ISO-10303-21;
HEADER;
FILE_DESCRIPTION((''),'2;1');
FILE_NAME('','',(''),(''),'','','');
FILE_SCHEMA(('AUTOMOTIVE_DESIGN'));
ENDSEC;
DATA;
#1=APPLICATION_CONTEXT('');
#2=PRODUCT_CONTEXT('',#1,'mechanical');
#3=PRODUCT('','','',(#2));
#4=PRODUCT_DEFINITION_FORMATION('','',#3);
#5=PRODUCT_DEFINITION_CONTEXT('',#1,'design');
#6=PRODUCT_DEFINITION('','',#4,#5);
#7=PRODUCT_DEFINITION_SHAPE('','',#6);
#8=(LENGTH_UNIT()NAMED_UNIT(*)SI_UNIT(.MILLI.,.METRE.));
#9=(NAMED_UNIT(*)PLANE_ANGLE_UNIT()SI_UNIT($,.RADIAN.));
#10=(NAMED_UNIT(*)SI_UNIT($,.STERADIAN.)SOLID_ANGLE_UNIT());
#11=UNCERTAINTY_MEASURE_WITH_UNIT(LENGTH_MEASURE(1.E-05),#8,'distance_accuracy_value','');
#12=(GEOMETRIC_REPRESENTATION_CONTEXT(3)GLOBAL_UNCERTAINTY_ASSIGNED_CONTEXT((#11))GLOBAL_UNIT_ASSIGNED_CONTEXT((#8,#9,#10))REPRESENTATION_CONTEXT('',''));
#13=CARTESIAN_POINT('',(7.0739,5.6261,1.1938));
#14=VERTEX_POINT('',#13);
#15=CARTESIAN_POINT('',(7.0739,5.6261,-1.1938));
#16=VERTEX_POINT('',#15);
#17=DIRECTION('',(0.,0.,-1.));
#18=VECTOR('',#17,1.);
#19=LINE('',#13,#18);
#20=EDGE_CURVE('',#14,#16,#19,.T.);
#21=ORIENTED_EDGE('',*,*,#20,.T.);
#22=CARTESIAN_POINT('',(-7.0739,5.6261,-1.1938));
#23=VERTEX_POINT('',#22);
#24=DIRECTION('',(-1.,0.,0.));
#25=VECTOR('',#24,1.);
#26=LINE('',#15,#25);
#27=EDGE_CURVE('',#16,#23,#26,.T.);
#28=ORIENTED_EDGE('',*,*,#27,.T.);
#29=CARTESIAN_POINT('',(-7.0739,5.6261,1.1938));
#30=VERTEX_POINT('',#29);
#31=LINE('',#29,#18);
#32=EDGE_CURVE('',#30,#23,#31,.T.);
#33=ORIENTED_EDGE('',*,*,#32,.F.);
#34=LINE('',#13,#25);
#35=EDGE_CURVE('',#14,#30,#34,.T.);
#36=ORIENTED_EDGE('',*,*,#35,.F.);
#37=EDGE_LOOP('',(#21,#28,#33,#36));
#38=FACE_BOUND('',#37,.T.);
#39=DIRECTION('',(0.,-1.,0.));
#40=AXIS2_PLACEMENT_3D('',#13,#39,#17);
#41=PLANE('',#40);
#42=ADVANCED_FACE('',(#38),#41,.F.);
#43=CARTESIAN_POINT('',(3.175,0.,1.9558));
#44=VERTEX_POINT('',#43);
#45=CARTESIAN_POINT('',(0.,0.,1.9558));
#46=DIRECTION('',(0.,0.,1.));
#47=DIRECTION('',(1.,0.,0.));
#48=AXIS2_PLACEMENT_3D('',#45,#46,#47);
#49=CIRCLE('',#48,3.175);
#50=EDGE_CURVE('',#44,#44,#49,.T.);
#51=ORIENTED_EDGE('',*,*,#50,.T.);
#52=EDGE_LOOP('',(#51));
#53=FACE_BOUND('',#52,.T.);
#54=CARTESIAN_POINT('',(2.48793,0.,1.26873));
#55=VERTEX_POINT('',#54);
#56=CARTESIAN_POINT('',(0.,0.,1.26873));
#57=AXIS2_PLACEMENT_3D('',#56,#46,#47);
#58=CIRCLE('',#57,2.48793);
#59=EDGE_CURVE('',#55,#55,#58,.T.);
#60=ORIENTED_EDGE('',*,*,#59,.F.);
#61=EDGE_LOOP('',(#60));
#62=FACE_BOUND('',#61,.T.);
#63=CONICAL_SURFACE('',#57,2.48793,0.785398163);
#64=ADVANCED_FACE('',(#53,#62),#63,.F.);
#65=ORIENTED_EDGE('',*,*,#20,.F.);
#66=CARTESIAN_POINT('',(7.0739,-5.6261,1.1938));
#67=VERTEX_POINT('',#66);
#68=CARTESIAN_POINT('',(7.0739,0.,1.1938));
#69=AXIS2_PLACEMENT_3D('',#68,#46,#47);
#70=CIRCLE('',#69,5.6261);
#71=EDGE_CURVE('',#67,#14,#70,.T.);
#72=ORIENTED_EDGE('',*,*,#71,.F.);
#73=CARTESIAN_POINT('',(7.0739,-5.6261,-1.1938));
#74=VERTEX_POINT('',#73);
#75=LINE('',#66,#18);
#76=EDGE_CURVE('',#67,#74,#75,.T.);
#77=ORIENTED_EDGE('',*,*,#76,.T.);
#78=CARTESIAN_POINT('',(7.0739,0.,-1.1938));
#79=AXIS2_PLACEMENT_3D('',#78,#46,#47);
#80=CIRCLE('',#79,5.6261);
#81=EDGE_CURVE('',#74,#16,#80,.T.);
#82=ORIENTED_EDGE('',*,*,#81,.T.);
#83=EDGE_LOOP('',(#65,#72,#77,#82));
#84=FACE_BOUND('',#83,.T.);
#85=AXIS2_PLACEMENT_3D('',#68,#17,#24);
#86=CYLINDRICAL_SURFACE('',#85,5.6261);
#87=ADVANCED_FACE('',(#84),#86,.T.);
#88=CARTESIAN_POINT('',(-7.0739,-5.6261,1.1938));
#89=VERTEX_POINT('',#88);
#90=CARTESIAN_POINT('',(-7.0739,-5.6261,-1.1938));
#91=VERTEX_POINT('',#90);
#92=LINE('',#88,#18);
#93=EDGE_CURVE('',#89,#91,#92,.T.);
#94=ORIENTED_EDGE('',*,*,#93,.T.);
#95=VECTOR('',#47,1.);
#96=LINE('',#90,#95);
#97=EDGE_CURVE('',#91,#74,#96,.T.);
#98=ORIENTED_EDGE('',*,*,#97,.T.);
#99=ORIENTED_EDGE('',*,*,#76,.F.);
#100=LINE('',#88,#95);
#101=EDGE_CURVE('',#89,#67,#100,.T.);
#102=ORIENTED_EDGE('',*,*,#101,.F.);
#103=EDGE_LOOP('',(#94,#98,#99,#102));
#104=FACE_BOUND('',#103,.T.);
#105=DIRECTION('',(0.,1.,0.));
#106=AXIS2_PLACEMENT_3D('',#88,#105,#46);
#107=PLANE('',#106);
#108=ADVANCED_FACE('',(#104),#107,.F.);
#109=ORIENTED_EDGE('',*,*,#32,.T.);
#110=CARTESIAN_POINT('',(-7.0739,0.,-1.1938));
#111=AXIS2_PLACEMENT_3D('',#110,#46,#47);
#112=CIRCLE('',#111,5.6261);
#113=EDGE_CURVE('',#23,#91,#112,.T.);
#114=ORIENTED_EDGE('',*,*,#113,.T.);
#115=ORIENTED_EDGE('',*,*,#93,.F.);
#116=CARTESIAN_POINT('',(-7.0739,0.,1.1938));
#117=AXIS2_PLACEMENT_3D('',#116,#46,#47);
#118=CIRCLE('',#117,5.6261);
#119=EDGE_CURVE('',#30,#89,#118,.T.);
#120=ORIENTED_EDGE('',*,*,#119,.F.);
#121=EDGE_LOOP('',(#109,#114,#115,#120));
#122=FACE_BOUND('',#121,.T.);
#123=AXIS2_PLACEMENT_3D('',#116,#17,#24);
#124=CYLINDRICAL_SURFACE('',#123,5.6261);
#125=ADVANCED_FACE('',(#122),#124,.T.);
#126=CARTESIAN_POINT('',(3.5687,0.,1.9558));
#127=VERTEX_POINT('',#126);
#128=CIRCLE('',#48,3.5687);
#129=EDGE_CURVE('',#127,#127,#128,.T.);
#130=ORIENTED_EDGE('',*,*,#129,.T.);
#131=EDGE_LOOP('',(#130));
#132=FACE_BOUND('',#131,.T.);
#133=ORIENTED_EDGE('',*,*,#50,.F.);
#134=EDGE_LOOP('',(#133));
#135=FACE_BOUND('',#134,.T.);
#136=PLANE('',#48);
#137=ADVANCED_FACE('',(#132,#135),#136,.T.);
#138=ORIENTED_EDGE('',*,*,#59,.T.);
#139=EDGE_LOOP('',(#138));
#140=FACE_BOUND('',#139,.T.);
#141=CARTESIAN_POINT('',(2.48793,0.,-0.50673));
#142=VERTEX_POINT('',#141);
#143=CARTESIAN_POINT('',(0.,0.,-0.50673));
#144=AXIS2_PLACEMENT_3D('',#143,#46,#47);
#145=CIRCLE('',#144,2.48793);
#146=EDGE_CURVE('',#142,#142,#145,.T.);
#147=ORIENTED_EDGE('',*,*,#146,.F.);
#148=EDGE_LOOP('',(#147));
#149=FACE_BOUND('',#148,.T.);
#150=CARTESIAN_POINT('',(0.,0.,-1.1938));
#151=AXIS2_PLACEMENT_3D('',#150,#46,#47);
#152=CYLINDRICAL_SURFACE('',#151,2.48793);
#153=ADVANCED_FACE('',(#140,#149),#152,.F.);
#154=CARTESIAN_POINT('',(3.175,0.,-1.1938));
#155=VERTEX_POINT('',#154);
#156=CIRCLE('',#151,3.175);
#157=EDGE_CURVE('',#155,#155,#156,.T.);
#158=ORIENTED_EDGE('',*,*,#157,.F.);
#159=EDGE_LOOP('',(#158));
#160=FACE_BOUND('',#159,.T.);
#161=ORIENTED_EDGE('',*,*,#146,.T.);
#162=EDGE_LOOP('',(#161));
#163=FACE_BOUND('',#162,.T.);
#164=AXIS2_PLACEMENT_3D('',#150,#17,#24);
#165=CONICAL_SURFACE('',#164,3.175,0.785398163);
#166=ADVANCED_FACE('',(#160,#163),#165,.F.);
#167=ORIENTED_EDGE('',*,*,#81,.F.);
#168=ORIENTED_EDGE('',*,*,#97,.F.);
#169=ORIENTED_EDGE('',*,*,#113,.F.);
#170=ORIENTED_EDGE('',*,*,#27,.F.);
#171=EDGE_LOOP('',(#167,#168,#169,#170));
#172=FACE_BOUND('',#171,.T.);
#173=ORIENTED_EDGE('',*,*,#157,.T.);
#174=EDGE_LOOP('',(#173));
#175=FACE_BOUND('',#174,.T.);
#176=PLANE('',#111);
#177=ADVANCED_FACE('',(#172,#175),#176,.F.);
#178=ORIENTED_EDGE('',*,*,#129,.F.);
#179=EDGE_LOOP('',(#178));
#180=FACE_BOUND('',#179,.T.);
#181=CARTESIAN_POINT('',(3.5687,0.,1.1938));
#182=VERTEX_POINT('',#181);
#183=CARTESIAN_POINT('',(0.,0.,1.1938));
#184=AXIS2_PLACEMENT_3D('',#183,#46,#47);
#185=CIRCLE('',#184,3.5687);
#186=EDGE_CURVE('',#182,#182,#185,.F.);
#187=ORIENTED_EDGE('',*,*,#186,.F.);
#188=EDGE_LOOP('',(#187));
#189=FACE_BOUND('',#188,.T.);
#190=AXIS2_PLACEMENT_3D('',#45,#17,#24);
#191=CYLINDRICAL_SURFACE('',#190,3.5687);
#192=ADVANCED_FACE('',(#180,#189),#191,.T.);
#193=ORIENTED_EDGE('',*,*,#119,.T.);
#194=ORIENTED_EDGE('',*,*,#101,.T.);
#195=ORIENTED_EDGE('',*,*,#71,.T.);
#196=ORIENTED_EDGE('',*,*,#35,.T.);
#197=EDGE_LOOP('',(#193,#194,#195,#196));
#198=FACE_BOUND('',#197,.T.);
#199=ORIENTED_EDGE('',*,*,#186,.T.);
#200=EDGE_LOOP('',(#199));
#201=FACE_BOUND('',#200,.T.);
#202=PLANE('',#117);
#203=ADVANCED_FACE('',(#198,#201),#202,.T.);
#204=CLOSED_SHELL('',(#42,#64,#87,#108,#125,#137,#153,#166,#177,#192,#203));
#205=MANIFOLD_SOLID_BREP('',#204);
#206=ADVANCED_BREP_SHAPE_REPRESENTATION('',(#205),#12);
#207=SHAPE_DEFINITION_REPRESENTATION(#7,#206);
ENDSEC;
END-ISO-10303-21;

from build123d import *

# Parameters (mm, degrees)
BOSS_EXTRUDE1_DEPTH      = 1.1938
BOSS_EXTRUDE1_DEPTH_BACK = 1.1938
SKETCH2_R                = 3.5687
BOSS_EXTRUDE2_DEPTH      = 1.9558


with BuildPart() as part:
    # Sketch1 → Boss-Extrude1 (new, two sides: drawn at the far end of the back side and taken through both)
    with BuildSketch(Plane.XY.offset(-BOSS_EXTRUDE1_DEPTH_BACK)):
        with BuildLine():
            Line((-7.0739, -5.6261), (7.0739, -5.6261))
            ThreePointArc((7.0739, -5.6261), (12.7, 0), (7.0739, 5.6261))
            Line((7.0739, 5.6261), (-7.0739, 5.6261))
            ThreePointArc((-7.0739, 5.6261), (-12.7, 0), (-7.0739, -5.6261))
        make_face()
    extrude(amount=BOSS_EXTRUDE1_DEPTH + BOSS_EXTRUDE1_DEPTH_BACK)

    # Sketch2 → Boss-Extrude2 (add)
    with BuildSketch(Plane.XY):
        Circle(SKETCH2_R)
    extrude(amount=BOSS_EXTRUDE2_DEPTH)

    # Sketch3 → Cut-Revolve1 (revolve, cut)
    with BuildSketch(Plane(origin=(0, 0, 0), x_dir=(0, 0, -1), z_dir=(1, 0, 0))):
        Polygon((-1.9558, 0), (-1.9558, 3.175), (-1.26873, 2.48793), (0.50673, 2.48793), (1.1938, 3.175), (1.1938, 0), align=None)
    revolve(axis=Axis((0, 0, -1.1938), (0, 0, 1)), mode=Mode.SUBTRACT)


solid = part.part
